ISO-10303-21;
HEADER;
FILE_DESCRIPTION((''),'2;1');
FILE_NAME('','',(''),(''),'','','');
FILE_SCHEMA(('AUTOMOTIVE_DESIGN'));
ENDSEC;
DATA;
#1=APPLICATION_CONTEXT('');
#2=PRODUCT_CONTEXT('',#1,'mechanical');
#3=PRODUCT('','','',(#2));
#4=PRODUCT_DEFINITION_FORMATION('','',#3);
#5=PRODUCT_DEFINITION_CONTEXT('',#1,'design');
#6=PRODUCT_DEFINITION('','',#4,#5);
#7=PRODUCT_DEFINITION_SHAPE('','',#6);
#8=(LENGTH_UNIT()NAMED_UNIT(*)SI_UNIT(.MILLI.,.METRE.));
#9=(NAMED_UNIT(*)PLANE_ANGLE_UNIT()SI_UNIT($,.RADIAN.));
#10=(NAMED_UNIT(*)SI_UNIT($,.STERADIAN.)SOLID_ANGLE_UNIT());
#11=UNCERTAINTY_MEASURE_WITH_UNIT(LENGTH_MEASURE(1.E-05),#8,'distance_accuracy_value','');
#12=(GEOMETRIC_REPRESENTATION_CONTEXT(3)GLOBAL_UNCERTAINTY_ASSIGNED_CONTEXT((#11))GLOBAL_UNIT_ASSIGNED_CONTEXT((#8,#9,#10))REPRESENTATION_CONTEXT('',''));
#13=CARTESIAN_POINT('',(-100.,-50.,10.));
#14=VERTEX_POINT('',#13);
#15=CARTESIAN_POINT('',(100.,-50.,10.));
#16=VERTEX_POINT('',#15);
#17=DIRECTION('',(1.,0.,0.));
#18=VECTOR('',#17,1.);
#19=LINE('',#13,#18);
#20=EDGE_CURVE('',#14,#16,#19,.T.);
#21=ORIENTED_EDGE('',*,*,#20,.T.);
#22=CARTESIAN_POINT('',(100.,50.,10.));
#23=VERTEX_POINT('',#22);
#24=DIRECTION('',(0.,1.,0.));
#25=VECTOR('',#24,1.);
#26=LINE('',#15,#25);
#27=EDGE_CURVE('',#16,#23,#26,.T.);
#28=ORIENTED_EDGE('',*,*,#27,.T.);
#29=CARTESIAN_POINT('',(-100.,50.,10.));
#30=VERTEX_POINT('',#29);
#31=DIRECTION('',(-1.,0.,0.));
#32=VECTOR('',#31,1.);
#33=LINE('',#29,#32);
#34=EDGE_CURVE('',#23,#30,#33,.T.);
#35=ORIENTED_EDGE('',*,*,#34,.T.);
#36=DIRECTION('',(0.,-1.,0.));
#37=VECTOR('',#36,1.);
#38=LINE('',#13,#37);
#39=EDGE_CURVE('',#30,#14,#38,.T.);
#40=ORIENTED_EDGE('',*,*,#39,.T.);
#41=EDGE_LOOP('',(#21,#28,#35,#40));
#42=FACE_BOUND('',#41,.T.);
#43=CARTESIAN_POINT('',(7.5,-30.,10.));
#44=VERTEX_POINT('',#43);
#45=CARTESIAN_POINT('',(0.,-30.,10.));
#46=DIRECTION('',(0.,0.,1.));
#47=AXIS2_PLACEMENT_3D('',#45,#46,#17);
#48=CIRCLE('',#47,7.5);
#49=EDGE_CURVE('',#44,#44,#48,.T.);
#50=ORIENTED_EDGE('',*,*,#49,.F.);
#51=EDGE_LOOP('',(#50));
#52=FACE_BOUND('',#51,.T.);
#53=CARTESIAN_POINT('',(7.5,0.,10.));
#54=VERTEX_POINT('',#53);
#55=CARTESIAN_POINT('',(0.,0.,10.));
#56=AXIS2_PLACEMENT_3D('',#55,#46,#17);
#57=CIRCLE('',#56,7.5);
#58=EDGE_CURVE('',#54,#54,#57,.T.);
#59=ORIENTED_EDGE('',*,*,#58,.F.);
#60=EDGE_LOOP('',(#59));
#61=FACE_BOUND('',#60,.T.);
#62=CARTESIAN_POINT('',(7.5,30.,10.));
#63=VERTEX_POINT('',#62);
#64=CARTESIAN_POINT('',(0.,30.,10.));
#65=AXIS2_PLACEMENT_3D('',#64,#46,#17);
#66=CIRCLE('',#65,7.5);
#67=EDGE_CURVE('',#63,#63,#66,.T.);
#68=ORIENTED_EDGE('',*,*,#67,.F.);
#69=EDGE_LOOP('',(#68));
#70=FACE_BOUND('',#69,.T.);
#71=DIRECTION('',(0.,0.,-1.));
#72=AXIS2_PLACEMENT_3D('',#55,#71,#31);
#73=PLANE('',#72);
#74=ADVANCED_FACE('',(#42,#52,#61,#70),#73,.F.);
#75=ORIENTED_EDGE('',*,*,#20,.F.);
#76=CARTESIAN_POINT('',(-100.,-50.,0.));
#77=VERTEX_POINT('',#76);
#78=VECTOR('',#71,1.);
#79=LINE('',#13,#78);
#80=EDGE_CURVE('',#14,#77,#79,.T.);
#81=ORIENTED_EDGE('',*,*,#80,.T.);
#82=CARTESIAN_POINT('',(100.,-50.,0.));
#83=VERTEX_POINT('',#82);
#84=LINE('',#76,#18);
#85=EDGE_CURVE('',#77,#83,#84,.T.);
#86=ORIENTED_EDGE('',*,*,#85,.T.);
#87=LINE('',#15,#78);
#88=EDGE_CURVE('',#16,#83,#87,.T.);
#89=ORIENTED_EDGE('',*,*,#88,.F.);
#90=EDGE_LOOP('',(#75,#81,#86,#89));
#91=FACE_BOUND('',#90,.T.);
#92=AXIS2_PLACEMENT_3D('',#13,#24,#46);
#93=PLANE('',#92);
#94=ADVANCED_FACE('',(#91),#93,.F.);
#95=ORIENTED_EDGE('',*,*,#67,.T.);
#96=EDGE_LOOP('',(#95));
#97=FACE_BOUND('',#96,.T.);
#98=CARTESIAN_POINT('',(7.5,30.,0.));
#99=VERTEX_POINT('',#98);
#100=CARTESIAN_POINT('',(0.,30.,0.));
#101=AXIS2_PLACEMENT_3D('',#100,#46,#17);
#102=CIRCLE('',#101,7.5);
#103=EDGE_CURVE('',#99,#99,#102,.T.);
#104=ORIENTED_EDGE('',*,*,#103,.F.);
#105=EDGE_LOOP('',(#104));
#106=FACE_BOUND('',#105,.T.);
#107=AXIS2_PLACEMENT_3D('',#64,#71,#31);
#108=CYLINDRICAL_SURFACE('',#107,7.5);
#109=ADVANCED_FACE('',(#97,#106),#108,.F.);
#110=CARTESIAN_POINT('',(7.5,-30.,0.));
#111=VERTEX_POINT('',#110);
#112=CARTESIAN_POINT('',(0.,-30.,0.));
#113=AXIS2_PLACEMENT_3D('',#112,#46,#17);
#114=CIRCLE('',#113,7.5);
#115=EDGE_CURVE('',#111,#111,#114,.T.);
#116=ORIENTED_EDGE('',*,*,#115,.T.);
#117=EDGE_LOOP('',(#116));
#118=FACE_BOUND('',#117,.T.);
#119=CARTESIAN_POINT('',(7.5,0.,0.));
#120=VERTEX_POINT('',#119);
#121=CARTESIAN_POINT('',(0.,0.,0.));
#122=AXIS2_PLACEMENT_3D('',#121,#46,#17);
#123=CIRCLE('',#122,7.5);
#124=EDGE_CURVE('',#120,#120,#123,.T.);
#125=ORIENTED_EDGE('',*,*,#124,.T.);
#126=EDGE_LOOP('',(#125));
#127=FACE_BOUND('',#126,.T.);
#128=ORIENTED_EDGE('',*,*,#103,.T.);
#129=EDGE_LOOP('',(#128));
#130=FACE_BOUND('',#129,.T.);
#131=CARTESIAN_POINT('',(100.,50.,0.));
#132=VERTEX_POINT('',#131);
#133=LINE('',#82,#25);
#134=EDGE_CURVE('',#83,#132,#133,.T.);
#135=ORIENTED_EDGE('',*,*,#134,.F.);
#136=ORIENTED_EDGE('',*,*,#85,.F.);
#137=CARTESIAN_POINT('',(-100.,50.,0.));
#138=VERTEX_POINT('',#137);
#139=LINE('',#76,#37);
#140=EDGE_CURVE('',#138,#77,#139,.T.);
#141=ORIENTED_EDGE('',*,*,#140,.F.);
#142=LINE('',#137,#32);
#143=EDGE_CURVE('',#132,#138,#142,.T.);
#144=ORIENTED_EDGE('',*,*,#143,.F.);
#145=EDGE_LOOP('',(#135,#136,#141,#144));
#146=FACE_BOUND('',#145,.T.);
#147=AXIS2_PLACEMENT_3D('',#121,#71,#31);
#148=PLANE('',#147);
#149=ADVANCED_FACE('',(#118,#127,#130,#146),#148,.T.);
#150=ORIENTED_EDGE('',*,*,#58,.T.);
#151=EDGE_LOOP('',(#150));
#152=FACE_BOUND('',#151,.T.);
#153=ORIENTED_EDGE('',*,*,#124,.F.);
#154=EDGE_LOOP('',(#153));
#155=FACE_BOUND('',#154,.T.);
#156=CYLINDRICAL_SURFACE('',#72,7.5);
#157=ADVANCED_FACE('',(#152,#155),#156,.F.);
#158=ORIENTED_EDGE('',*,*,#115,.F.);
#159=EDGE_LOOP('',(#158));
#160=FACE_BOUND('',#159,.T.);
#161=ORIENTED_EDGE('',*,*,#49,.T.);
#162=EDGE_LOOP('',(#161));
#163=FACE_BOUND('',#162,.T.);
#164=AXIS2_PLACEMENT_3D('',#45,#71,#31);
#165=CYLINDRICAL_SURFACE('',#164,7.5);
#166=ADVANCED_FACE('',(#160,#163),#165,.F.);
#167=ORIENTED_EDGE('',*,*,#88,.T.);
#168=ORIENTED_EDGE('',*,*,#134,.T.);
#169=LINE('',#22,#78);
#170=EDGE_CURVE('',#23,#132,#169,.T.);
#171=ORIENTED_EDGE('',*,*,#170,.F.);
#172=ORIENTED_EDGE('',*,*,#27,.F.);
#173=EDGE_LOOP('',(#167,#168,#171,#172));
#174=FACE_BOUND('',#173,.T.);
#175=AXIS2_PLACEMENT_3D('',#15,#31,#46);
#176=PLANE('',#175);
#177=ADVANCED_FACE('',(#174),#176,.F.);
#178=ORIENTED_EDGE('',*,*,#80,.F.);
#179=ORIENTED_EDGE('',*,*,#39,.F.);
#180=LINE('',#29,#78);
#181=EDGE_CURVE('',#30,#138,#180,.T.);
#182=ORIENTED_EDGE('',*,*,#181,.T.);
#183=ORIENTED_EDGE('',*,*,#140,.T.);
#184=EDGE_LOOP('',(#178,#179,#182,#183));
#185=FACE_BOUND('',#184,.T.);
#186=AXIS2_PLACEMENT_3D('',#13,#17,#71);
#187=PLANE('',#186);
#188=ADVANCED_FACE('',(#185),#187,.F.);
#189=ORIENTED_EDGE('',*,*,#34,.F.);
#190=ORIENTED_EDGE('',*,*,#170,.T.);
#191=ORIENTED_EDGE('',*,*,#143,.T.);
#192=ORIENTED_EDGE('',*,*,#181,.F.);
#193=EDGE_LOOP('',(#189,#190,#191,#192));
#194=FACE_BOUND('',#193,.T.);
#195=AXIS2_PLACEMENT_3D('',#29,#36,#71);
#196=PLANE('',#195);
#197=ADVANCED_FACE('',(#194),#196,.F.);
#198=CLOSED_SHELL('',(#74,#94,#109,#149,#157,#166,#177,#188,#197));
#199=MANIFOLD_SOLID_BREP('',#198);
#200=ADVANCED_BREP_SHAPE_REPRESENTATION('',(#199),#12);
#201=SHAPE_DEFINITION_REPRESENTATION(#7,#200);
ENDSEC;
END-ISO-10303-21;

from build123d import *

# Parameters (mm, degrees)
SKETCH1_W           = 200
SKETCH1_H           = 100
SKETCH1_R           = 7.5
BOSS_EXTRUDE1_DEPTH = 10


with BuildPart() as part:
    # Sketch1 → Boss-Extrude1 (new body)
    with BuildSketch(Plane.XY):
        Rectangle(SKETCH1_W, SKETCH1_H)
        Circle(SKETCH1_R, mode=Mode.SUBTRACT)
        with Locations((0, 30)):
            Circle(SKETCH1_R, mode=Mode.SUBTRACT)
        with Locations((0, -30)):
            Circle(SKETCH1_R, mode=Mode.SUBTRACT)
    extrude(amount=BOSS_EXTRUDE1_DEPTH)


solid = part.part
